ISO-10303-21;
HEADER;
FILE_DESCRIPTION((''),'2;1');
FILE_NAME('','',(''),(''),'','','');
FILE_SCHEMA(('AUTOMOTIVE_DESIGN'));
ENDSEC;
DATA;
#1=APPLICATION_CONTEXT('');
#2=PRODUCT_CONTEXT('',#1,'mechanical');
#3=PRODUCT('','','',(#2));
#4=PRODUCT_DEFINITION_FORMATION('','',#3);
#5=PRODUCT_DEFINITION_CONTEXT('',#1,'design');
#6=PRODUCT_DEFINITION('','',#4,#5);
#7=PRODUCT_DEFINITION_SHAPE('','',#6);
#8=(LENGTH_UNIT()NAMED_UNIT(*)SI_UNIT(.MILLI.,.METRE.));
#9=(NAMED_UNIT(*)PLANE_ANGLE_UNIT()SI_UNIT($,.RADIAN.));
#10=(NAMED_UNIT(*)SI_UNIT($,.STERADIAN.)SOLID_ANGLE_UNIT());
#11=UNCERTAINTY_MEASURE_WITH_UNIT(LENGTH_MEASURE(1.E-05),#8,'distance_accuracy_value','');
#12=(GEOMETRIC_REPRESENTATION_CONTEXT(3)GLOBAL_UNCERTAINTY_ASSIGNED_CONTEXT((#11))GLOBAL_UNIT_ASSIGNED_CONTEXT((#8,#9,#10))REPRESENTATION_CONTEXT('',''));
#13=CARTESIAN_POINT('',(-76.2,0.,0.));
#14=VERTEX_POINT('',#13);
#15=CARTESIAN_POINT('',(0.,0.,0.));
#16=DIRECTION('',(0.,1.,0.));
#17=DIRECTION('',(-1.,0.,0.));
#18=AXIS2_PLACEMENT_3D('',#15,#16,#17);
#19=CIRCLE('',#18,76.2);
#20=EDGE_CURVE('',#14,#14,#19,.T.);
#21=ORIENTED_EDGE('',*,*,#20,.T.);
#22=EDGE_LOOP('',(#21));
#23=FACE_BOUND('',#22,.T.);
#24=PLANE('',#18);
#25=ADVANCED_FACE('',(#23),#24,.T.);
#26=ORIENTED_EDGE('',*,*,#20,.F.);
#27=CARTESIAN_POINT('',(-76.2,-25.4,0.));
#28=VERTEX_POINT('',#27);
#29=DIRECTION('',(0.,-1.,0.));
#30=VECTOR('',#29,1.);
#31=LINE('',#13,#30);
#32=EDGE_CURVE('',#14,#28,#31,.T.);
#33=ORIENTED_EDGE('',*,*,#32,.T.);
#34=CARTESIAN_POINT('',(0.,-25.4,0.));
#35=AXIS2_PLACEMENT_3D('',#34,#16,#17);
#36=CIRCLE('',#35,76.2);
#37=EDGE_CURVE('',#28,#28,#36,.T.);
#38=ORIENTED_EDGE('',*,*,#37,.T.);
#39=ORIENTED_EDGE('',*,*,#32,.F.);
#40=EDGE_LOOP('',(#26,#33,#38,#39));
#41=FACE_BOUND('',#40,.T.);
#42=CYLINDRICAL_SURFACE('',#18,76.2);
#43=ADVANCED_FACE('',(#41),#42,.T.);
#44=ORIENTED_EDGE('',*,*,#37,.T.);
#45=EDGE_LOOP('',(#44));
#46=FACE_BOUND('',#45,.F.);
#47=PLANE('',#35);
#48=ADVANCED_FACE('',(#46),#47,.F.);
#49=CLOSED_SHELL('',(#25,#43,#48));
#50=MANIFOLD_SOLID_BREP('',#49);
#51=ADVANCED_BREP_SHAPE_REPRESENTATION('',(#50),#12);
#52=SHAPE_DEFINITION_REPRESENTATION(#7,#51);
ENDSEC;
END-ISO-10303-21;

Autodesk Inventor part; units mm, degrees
ref_plane "YZ Plane" through (0, 0, 0) normal (1, 0, 0) x (0, 1, 0)
ref_plane "XZ Plane" through (0, 0, 0) normal (0, 1, 0) x (-1, 0, 0)
ref_plane "XY Plane" through (0, 0, 0) normal (0, 0, 1) x (1, 0, 0)
sketch "Sketch1" plane through (0, 0, 0) normal (0, 1, 0) x (-1, 0, 0)
  circle A0 centre (0, 0) radius 76.2
  dimension "d0" = 152.4
extrude "Extrusion1" add sketch "Sketch1" against normal blind 25.4
properties part number "sweep"
